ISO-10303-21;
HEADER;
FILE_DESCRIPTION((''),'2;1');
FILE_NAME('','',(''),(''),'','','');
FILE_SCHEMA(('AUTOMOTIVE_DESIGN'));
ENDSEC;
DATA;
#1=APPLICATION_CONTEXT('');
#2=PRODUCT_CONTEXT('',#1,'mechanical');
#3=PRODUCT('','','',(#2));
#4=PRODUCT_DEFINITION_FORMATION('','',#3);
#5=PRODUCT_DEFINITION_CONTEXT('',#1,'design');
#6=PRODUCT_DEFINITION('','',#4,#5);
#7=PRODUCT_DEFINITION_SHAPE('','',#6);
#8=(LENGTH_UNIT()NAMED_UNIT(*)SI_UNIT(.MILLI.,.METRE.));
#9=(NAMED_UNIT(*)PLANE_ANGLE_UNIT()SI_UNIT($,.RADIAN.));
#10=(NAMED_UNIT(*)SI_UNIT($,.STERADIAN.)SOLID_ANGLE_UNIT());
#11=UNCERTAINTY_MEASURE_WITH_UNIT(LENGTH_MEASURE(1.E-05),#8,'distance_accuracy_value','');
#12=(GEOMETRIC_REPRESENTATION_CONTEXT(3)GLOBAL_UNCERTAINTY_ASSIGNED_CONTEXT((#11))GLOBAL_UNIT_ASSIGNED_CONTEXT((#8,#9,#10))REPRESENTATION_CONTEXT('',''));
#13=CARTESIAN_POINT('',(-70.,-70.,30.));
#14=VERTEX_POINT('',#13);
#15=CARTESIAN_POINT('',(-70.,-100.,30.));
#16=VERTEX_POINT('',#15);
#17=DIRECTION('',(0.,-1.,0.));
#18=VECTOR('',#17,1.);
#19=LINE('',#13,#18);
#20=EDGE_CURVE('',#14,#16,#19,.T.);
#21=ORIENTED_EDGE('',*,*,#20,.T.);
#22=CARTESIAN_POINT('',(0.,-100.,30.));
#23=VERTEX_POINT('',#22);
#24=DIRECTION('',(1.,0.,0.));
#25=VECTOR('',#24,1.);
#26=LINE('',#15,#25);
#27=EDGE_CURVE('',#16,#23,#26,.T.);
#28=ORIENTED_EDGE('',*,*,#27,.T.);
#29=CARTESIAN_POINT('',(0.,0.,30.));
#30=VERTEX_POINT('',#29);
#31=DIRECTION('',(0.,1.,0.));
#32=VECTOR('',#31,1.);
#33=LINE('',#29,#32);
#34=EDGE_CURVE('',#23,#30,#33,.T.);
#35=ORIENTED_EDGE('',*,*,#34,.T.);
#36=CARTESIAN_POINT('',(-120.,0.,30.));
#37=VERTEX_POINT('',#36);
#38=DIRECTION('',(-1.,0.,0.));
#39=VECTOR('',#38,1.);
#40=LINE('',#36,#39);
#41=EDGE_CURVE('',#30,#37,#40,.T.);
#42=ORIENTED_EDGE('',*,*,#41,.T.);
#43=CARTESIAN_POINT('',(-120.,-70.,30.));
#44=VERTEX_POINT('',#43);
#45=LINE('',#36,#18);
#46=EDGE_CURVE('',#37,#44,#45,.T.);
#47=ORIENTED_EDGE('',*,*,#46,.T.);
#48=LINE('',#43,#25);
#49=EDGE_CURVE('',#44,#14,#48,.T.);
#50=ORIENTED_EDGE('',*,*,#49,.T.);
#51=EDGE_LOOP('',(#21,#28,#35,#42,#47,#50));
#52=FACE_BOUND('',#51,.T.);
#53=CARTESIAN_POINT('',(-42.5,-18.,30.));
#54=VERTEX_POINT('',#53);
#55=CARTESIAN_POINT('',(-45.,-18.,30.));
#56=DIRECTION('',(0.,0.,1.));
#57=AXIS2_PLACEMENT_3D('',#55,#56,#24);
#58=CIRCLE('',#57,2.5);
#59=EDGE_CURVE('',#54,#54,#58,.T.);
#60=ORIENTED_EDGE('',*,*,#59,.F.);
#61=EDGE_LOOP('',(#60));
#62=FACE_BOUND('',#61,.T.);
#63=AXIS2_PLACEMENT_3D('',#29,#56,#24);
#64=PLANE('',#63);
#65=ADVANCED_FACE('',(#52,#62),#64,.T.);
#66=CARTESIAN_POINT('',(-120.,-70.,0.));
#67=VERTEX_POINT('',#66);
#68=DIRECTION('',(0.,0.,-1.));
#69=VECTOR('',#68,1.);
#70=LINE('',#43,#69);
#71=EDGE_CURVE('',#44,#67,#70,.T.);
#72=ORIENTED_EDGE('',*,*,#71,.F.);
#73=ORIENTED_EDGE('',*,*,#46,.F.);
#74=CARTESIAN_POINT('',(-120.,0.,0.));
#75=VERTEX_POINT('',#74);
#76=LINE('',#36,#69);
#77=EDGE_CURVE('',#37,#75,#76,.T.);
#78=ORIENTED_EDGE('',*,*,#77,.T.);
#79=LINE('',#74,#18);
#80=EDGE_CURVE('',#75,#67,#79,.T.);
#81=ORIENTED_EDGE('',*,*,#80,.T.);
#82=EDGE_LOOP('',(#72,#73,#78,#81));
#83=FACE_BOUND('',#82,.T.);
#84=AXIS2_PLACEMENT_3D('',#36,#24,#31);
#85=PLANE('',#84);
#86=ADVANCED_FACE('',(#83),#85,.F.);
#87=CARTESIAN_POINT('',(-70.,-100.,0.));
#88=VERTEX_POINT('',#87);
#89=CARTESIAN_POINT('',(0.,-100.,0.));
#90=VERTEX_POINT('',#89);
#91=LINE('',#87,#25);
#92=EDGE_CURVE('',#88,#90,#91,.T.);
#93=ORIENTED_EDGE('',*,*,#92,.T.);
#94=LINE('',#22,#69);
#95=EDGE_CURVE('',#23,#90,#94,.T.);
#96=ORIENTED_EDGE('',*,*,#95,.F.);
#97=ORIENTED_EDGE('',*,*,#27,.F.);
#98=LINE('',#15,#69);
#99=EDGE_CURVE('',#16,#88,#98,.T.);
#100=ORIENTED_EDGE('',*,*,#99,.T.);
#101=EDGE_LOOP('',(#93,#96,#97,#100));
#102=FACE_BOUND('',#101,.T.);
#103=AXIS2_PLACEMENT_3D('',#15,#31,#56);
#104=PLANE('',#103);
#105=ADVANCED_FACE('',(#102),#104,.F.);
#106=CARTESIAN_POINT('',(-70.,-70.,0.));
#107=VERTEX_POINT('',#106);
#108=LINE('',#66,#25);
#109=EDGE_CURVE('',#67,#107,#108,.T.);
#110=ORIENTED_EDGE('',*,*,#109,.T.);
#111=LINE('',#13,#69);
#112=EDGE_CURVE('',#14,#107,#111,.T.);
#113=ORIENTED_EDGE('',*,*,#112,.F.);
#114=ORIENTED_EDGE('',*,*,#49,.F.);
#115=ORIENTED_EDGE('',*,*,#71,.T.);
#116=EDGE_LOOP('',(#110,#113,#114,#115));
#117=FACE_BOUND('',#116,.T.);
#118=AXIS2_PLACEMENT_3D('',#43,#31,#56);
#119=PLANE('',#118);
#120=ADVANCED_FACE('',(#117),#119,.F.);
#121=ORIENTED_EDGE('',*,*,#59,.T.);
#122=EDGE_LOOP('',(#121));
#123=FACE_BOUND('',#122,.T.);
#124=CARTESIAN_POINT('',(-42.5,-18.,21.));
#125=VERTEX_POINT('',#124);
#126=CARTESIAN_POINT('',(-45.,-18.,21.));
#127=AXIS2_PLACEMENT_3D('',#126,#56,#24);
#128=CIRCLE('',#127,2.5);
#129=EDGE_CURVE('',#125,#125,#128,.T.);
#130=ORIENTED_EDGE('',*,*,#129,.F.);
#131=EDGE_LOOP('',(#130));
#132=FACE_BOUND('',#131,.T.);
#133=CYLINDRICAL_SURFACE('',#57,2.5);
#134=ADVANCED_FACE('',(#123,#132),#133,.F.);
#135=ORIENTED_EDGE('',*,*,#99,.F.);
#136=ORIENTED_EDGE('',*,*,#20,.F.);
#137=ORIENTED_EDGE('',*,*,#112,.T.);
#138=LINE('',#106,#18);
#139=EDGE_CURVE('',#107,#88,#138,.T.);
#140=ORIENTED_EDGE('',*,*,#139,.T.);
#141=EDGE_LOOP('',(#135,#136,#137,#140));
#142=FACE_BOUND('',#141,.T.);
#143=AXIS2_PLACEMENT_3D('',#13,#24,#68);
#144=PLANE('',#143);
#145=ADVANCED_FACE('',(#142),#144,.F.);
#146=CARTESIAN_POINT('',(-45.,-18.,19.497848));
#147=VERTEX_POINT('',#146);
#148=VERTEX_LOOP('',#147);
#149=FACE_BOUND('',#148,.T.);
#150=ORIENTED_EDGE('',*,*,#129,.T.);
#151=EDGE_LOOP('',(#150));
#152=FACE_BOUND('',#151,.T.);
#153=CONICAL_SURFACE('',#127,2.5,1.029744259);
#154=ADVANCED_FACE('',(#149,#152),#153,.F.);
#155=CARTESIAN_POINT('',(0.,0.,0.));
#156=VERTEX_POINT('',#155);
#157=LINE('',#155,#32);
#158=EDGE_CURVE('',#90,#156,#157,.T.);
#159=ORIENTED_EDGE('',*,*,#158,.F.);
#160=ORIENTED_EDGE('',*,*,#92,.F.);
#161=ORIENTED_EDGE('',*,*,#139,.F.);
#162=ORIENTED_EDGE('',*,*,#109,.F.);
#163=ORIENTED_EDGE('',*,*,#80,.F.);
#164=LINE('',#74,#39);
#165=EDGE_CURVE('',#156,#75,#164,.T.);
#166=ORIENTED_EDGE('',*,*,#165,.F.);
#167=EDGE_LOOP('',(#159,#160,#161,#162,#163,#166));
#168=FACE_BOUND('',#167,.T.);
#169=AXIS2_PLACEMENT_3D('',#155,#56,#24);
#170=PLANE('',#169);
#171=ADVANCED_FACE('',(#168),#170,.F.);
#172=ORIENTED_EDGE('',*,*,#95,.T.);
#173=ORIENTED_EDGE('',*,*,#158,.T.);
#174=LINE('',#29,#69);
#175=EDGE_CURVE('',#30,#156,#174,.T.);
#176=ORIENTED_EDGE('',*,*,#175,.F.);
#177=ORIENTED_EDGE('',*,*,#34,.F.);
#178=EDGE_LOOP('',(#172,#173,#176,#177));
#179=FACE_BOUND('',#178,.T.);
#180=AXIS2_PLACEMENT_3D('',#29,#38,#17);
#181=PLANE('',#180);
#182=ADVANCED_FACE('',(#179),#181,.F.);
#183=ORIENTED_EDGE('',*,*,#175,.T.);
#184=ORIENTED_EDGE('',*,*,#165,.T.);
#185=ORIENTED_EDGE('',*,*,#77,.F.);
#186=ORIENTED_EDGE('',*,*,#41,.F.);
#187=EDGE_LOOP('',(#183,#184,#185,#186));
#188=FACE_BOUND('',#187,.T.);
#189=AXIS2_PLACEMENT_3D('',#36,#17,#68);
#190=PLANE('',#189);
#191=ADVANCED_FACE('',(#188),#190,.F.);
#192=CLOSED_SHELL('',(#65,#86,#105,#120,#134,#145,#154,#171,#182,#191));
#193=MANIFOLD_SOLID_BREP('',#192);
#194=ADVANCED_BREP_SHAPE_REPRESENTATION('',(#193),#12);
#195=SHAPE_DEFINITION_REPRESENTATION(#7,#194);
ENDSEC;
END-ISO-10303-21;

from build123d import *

# Parameters (mm, degrees)
AUFSATZ_LINEAR_AUSTRAGEN1_DEPTH = 30
M6X1_0_GEWINDEBOHRUNG1_D        = 5
M6X1_0_GEWINDEBOHRUNG1_DEPTH    = 9
M6X1_0_GEWINDEBOHRUNG1_TIP      = 1.502151548


with BuildPart() as part:
    # Skizze1 → Aufsatz-Linear austragen1 (new body)
    with BuildSketch(Plane.XY):
        Polygon((-120, -70), (-70, -70), (-70, -100), (0, -100), (0, 0), (-120, 0), align=None)
    extrude(amount=AUFSATZ_LINEAR_AUSTRAGEN1_DEPTH)

    # M6x1.0 Gewindebohrung1
    with Locations(Plane.XY.offset(30)):
        with Locations((-45, -18)):
            Hole(M6X1_0_GEWINDEBOHRUNG1_D / 2, depth=M6X1_0_GEWINDEBOHRUNG1_DEPTH)
            with Locations((0, 0, -(M6X1_0_GEWINDEBOHRUNG1_DEPTH + M6X1_0_GEWINDEBOHRUNG1_TIP / 2))):  # 118° drill point
                Cone(0, M6X1_0_GEWINDEBOHRUNG1_D / 2, M6X1_0_GEWINDEBOHRUNG1_TIP, mode=Mode.SUBTRACT)


solid = part.part
